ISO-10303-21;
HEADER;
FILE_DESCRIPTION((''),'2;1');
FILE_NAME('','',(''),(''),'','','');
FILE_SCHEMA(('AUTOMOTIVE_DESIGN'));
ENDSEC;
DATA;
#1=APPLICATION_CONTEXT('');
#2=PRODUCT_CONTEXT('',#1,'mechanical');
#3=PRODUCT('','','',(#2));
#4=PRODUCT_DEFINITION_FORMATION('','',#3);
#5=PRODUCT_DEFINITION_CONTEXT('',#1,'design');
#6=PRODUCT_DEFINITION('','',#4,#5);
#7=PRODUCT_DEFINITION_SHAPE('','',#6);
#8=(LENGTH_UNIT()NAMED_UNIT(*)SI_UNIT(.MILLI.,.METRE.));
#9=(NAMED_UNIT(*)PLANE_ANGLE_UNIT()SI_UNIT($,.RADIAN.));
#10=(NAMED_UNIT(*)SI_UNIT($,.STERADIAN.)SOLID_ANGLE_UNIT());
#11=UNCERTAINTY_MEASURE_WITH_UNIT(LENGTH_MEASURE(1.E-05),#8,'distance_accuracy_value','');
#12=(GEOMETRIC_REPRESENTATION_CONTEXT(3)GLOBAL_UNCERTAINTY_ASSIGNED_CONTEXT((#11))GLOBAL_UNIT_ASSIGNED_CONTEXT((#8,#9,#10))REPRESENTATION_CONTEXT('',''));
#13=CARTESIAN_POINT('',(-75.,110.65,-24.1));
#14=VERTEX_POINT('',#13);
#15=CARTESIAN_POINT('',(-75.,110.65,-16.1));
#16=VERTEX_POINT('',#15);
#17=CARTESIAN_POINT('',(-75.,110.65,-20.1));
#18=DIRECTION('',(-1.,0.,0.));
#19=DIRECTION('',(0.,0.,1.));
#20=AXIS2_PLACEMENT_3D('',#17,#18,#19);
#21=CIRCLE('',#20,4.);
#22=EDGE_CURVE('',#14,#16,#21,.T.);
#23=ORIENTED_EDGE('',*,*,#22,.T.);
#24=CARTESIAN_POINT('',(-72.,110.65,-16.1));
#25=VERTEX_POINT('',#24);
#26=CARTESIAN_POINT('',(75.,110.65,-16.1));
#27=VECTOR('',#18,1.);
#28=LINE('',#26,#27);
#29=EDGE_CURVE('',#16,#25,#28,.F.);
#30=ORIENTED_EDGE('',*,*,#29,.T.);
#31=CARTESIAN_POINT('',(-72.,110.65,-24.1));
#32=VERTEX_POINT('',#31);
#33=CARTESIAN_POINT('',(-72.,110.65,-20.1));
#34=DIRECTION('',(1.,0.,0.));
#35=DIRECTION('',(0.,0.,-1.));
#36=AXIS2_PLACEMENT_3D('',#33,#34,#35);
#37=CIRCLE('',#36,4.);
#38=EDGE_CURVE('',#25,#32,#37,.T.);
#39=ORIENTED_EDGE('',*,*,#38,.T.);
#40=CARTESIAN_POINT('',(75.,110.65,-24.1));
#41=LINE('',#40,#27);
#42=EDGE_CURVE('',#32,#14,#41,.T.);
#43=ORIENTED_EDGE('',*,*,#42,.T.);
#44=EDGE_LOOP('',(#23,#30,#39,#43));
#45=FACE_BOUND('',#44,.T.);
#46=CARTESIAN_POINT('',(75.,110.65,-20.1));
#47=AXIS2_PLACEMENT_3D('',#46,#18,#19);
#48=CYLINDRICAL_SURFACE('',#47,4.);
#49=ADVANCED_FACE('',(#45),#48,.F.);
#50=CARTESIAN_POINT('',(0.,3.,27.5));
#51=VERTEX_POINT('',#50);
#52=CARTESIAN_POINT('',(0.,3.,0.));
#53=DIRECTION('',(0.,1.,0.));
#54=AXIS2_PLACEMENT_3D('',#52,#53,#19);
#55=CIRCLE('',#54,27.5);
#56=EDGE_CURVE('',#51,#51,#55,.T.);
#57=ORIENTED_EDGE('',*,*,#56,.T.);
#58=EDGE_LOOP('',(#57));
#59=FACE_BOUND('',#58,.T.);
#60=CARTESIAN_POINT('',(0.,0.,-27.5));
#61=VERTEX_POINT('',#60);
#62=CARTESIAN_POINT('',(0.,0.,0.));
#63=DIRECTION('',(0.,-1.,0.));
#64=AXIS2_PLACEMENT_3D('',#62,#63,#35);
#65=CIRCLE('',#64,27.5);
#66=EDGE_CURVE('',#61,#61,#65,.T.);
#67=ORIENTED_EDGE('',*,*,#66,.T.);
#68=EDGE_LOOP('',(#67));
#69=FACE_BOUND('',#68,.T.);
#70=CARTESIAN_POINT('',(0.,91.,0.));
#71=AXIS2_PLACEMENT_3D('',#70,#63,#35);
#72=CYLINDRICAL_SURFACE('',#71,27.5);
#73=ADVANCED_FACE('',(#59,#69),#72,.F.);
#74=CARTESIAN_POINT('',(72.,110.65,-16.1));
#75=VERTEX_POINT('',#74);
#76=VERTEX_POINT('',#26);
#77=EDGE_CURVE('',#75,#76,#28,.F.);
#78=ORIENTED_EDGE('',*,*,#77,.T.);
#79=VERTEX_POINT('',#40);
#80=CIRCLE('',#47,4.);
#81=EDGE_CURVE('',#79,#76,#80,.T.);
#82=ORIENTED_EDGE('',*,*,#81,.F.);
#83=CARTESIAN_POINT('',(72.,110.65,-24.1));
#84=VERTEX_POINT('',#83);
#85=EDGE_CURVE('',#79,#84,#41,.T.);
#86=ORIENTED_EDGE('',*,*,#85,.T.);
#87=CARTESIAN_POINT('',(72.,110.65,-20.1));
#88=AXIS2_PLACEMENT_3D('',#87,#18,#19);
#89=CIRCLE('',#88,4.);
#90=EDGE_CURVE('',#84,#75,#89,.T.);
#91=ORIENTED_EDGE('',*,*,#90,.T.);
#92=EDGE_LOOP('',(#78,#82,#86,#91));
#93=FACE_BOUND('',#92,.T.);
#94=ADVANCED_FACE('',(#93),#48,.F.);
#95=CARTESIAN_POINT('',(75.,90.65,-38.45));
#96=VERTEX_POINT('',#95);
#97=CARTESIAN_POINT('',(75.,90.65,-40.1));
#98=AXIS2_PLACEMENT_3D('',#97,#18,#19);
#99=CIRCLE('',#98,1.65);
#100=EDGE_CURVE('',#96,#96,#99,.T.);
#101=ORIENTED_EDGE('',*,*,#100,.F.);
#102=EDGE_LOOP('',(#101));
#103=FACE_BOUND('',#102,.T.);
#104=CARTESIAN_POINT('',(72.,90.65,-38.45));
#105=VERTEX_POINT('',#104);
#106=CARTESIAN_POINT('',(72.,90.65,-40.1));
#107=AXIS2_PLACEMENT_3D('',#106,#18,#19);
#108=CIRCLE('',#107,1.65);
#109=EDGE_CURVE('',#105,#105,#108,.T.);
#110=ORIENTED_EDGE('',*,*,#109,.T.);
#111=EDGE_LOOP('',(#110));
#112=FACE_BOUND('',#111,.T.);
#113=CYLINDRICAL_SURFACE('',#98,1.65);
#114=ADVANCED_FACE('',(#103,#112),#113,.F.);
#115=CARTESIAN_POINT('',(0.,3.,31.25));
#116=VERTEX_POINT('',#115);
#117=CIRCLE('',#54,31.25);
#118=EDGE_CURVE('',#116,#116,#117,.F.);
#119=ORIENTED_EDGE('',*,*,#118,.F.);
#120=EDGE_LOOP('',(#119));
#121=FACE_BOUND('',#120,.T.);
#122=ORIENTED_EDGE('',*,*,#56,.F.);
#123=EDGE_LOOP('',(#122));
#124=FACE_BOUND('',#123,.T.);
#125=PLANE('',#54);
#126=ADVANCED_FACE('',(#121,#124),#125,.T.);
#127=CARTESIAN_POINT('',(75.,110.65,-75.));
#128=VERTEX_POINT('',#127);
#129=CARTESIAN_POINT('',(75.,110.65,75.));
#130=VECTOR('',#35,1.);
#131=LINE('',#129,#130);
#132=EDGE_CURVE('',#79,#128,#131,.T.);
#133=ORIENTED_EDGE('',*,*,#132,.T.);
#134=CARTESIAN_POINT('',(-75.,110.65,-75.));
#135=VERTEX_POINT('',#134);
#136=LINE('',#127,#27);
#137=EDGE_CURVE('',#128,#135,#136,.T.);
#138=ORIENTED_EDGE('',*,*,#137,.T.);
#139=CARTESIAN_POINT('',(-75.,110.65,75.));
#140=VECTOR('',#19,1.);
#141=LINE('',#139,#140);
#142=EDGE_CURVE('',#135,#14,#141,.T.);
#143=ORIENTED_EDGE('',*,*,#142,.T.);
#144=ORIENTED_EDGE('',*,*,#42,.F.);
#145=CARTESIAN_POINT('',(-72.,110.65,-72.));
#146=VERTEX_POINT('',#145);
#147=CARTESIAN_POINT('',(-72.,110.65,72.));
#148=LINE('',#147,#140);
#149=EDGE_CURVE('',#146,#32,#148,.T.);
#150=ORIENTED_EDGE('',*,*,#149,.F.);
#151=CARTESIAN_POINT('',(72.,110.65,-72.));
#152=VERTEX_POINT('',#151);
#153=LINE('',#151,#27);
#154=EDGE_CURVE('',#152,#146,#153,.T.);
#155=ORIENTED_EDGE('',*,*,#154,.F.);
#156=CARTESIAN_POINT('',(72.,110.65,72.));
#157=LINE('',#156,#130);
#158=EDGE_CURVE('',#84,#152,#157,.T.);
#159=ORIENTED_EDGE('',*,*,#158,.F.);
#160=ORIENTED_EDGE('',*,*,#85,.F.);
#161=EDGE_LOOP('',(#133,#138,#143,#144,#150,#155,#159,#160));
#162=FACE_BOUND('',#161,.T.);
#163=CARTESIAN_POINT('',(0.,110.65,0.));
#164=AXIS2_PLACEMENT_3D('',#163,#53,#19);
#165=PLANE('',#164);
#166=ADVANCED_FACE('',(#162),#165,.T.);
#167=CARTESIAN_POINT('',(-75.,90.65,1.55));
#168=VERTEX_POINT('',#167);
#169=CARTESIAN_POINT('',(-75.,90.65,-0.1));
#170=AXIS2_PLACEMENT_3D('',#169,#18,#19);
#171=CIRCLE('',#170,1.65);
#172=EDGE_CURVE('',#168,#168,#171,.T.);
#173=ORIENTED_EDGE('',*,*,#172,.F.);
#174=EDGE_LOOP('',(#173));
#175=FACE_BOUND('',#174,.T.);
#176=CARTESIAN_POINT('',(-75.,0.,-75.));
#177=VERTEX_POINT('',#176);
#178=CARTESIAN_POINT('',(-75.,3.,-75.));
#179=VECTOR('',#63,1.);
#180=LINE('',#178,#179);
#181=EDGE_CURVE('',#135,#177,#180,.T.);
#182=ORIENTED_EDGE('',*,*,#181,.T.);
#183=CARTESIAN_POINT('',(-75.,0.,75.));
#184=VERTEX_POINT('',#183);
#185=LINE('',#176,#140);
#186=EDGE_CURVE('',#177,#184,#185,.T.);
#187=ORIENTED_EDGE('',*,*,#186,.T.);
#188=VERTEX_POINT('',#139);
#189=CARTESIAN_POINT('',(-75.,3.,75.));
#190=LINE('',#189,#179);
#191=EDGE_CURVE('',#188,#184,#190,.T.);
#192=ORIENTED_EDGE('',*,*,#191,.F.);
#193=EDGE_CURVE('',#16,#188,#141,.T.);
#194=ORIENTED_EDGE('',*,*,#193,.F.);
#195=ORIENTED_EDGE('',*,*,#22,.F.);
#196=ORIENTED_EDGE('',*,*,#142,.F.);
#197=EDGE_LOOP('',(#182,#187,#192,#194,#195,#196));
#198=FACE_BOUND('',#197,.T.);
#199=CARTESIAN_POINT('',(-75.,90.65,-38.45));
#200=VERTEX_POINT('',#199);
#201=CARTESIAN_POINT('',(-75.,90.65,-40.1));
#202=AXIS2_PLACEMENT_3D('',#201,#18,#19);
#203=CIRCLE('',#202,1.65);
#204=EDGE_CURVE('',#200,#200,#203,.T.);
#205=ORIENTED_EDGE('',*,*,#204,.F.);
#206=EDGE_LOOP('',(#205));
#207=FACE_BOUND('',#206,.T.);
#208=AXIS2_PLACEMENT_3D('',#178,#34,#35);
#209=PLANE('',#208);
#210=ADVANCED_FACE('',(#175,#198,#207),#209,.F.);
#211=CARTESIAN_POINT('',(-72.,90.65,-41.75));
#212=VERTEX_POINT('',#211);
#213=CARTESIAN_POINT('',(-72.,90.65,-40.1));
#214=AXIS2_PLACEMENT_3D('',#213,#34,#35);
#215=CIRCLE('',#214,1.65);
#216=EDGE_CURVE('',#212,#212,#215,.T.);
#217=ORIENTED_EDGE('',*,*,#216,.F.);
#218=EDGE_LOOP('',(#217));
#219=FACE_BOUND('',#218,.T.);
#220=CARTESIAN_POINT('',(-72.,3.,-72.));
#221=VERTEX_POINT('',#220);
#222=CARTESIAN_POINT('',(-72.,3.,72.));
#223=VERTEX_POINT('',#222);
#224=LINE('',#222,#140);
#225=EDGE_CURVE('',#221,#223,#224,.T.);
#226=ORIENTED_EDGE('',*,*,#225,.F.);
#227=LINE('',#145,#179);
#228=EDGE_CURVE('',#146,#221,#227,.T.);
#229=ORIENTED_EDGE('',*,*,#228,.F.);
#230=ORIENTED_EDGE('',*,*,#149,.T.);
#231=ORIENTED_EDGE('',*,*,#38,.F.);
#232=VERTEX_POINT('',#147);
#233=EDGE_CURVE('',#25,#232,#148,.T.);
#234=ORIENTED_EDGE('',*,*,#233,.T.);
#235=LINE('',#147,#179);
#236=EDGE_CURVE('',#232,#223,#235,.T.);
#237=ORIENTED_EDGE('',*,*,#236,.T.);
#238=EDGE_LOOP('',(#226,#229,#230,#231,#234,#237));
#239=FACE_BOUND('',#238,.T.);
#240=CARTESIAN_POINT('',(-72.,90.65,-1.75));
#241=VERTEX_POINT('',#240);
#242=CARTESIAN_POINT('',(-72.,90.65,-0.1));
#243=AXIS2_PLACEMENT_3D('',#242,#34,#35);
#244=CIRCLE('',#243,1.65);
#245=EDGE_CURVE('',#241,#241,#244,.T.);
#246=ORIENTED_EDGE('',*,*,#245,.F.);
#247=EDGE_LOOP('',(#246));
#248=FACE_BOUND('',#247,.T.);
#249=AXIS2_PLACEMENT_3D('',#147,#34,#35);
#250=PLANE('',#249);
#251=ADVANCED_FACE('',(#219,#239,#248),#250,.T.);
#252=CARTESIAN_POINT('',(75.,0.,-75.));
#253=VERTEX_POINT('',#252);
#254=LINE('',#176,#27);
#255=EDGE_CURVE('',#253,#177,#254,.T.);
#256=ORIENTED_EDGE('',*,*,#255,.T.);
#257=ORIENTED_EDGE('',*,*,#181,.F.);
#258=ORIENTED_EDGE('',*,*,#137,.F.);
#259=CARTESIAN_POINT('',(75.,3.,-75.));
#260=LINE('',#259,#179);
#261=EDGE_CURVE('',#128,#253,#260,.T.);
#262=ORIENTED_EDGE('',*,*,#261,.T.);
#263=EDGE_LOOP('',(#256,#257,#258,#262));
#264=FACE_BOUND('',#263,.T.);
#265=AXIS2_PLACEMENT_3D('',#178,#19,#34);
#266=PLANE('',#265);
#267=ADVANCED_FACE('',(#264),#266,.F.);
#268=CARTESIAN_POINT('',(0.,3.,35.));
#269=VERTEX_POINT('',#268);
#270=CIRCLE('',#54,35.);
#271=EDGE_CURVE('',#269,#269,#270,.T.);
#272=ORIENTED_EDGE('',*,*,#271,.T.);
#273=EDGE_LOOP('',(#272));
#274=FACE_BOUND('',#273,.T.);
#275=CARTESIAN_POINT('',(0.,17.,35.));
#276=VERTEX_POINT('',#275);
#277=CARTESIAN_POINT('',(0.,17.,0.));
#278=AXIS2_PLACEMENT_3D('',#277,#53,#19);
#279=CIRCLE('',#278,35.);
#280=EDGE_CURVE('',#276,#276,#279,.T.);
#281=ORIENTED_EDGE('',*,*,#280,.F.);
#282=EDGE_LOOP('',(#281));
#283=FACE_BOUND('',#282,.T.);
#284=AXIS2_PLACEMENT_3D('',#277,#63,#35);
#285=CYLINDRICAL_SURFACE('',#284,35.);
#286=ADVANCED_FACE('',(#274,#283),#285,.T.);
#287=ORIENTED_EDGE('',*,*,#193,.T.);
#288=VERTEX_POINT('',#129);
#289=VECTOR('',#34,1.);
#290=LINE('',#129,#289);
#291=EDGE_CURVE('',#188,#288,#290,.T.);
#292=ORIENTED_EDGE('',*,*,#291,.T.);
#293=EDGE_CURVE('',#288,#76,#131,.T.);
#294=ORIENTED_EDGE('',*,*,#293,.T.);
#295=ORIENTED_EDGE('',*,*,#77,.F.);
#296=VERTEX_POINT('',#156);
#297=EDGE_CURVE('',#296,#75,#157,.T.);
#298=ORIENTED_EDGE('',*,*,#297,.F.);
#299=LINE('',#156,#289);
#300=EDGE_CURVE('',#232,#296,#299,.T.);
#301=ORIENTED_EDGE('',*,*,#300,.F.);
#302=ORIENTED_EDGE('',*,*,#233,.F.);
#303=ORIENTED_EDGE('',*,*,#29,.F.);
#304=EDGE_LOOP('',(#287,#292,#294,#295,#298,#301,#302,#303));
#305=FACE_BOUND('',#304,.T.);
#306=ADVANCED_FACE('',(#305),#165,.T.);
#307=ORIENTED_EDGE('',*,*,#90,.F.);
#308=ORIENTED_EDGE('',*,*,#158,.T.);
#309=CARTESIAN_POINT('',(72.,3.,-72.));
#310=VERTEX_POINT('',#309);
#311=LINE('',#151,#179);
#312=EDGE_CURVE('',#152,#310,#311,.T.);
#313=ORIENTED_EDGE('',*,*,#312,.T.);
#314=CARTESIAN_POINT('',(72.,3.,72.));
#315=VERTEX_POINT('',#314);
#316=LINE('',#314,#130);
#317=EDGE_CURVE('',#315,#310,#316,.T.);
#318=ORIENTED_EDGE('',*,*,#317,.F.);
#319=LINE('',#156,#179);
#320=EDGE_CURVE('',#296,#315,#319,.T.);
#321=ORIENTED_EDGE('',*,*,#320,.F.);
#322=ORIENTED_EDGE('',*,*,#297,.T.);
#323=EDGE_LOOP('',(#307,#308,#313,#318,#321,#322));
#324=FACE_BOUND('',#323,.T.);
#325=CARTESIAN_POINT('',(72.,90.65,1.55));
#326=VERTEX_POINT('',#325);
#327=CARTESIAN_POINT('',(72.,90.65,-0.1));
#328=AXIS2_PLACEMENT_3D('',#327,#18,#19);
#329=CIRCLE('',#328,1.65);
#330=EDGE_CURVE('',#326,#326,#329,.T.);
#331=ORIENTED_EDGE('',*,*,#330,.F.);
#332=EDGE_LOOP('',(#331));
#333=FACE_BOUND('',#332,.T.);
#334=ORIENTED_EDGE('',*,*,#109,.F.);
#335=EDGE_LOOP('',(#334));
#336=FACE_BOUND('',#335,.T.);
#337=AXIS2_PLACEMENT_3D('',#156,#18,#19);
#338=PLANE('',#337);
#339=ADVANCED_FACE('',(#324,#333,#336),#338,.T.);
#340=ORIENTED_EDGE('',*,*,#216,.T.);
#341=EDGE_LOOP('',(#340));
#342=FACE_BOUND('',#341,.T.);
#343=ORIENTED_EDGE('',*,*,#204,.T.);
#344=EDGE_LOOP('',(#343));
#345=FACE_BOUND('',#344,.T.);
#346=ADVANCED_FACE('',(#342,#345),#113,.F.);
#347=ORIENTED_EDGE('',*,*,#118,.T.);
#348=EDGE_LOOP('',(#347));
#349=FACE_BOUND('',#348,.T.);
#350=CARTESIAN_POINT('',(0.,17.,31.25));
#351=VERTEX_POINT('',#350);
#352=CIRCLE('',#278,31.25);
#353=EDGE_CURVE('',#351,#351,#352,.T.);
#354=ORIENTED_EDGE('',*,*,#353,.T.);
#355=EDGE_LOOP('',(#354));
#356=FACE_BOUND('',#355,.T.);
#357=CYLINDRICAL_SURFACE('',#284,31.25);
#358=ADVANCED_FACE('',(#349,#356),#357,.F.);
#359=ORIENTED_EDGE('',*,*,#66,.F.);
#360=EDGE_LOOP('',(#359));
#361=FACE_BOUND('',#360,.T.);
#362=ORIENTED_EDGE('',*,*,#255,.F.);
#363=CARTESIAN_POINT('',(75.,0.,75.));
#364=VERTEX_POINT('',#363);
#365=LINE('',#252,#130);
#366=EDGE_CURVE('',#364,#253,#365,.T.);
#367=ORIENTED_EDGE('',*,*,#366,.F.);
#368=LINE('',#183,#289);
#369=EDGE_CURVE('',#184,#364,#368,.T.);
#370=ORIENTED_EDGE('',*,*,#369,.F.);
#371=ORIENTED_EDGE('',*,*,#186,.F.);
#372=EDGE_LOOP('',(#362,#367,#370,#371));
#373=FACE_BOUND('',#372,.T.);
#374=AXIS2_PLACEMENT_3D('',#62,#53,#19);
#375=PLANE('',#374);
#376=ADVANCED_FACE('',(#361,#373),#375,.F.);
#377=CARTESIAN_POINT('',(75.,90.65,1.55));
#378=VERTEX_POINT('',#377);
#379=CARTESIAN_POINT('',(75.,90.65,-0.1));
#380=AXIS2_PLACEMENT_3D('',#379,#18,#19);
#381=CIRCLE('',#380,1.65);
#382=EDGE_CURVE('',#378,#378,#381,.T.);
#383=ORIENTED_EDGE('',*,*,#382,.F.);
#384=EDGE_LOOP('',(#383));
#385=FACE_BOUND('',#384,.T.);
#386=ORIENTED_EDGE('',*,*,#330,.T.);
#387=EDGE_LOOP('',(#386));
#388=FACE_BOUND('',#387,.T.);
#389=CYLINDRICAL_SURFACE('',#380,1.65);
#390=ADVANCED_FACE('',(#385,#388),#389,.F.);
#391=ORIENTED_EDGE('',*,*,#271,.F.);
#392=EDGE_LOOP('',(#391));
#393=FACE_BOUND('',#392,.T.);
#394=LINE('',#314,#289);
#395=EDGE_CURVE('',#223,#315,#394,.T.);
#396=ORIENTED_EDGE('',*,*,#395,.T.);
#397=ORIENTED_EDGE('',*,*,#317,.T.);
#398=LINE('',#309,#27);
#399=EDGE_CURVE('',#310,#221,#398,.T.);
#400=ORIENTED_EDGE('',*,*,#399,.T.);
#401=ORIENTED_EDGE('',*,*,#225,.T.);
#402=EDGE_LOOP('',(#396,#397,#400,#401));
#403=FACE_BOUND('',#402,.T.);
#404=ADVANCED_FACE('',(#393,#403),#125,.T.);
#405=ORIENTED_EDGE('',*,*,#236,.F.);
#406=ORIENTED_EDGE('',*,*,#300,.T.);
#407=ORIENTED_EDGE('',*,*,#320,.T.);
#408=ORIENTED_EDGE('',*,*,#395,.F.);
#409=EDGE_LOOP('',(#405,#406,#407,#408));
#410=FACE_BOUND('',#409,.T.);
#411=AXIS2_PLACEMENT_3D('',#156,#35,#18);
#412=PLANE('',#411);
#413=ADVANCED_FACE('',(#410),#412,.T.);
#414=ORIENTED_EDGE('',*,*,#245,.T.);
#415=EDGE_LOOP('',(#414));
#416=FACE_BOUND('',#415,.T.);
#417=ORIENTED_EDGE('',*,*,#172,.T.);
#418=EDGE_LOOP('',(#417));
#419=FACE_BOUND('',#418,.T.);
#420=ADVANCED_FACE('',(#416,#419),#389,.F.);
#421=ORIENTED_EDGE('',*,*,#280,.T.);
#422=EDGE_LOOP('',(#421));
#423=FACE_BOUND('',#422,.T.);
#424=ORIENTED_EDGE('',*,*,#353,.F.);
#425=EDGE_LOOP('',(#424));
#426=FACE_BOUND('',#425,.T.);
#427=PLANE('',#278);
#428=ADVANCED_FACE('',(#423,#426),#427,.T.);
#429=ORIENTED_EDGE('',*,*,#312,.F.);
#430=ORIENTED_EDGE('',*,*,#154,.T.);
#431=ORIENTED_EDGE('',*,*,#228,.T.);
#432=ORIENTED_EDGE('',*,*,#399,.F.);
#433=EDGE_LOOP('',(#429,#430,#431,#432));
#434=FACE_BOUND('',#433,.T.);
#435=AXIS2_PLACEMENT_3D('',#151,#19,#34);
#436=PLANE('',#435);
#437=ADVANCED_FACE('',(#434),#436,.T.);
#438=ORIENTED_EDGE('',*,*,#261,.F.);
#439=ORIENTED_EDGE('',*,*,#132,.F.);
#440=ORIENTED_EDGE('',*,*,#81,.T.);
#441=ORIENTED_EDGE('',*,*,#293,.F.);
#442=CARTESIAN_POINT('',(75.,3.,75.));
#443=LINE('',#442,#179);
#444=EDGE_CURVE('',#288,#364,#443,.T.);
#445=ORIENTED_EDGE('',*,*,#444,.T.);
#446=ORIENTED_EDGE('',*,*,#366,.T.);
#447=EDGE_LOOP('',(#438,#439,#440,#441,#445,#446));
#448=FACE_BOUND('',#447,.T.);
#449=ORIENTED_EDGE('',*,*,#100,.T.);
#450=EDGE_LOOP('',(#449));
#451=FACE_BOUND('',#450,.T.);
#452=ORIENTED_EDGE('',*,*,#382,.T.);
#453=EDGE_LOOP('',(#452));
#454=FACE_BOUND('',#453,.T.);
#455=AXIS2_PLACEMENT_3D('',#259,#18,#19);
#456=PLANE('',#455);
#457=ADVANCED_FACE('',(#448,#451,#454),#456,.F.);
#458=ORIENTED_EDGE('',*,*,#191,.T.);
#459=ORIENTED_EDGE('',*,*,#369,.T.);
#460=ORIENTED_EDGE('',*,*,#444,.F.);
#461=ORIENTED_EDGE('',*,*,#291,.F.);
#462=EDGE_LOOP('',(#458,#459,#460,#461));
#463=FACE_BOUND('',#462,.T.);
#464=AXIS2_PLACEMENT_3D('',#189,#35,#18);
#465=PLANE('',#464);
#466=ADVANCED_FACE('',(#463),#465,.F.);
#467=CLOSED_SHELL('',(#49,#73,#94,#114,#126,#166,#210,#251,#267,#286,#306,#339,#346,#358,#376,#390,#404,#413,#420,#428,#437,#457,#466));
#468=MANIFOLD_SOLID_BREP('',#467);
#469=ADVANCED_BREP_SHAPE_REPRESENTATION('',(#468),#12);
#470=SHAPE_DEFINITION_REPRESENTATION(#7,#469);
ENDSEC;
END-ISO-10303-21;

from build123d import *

# Parameters (mm, degrees)
SKETCH_1_W          = 150
SKETCH_1_H          = 150
EXTRUDE_1_DEPTH     = 3
SKETCH_2_W          = 150
SKETCH_2_H          = 150
SKETCH_2_W_2        = 144
SKETCH_2_H_2        = 144
EXTRUDE_2_DEPTH     = 107.65
SKETCH_3_R          = 27.5
CUT_EXTRUDE_1_DEPTH = 91
SKETCH_4_R          = 4
CUT_EXTRUDE_2_DEPTH = 201.9189451
SKETCH_8_R          = 35
SKETCH_8_R_2        = 31.25
EXTRUDE_4_DEPTH     = 14
SKETCH_9_R          = 1.65
CUT_EXTRUDE_3_DEPTH = 201.9189451


with BuildPart() as part:
    # 草图1 → 凸台-拉伸1 (new body)
    with BuildSketch(Plane(origin=(0, 0, 0), x_dir=(1, 0, 0), z_dir=(0, 1, 0))):
        Rectangle(SKETCH_1_W, SKETCH_1_H)
    extrude(amount=EXTRUDE_1_DEPTH)

    # 草图2 → 凸台-拉伸2 (add)
    with BuildSketch(Plane(origin=(0, 3, 0), x_dir=(1, 0, 0), z_dir=(0, 1, 0))):
        Rectangle(SKETCH_2_W, SKETCH_2_H)
        Rectangle(SKETCH_2_W_2, SKETCH_2_H_2, mode=Mode.SUBTRACT)
    extrude(amount=EXTRUDE_2_DEPTH)

    # 草图3 → 切除-拉伸1 (cut)
    with BuildSketch(Plane.XZ):
        with Locations(Location((0, 0, 0), (0, 0, 270))):
            Circle(SKETCH_3_R)
    extrude(amount=-CUT_EXTRUDE_1_DEPTH, mode=Mode.SUBTRACT)

    # 草图4 → 切除-拉伸2 (cut, through all)
    with BuildSketch(Plane.ZY.offset(75)):
        with Locations((-20.1, 110.65)):
            Circle(SKETCH_4_R)
    extrude(amount=-CUT_EXTRUDE_2_DEPTH, mode=Mode.SUBTRACT)

    # 草图8 → 凸台-拉伸4 (add)
    with BuildSketch(Plane(origin=(0, 3, 0), x_dir=(1, 0, 0), z_dir=(0, 1, 0))):
        with Locations(Location((0, 0, 0), (0, 0, 270))):
            Circle(SKETCH_8_R)
        with Locations(Location((0, 0, 0), (0, 0, 270))):
            Circle(SKETCH_8_R_2, mode=Mode.SUBTRACT)
    extrude(amount=EXTRUDE_4_DEPTH)

    # 草图9 → 切除-拉伸3 (cut, through all)
    with BuildSketch(Plane.ZY.offset(75)):
        with Locations((-40.1, 90.65)):
            Circle(SKETCH_9_R)
        with Locations((-0.1, 90.65)):
            Circle(SKETCH_9_R)
    extrude(amount=-CUT_EXTRUDE_3_DEPTH, mode=Mode.SUBTRACT)


solid = part.part
